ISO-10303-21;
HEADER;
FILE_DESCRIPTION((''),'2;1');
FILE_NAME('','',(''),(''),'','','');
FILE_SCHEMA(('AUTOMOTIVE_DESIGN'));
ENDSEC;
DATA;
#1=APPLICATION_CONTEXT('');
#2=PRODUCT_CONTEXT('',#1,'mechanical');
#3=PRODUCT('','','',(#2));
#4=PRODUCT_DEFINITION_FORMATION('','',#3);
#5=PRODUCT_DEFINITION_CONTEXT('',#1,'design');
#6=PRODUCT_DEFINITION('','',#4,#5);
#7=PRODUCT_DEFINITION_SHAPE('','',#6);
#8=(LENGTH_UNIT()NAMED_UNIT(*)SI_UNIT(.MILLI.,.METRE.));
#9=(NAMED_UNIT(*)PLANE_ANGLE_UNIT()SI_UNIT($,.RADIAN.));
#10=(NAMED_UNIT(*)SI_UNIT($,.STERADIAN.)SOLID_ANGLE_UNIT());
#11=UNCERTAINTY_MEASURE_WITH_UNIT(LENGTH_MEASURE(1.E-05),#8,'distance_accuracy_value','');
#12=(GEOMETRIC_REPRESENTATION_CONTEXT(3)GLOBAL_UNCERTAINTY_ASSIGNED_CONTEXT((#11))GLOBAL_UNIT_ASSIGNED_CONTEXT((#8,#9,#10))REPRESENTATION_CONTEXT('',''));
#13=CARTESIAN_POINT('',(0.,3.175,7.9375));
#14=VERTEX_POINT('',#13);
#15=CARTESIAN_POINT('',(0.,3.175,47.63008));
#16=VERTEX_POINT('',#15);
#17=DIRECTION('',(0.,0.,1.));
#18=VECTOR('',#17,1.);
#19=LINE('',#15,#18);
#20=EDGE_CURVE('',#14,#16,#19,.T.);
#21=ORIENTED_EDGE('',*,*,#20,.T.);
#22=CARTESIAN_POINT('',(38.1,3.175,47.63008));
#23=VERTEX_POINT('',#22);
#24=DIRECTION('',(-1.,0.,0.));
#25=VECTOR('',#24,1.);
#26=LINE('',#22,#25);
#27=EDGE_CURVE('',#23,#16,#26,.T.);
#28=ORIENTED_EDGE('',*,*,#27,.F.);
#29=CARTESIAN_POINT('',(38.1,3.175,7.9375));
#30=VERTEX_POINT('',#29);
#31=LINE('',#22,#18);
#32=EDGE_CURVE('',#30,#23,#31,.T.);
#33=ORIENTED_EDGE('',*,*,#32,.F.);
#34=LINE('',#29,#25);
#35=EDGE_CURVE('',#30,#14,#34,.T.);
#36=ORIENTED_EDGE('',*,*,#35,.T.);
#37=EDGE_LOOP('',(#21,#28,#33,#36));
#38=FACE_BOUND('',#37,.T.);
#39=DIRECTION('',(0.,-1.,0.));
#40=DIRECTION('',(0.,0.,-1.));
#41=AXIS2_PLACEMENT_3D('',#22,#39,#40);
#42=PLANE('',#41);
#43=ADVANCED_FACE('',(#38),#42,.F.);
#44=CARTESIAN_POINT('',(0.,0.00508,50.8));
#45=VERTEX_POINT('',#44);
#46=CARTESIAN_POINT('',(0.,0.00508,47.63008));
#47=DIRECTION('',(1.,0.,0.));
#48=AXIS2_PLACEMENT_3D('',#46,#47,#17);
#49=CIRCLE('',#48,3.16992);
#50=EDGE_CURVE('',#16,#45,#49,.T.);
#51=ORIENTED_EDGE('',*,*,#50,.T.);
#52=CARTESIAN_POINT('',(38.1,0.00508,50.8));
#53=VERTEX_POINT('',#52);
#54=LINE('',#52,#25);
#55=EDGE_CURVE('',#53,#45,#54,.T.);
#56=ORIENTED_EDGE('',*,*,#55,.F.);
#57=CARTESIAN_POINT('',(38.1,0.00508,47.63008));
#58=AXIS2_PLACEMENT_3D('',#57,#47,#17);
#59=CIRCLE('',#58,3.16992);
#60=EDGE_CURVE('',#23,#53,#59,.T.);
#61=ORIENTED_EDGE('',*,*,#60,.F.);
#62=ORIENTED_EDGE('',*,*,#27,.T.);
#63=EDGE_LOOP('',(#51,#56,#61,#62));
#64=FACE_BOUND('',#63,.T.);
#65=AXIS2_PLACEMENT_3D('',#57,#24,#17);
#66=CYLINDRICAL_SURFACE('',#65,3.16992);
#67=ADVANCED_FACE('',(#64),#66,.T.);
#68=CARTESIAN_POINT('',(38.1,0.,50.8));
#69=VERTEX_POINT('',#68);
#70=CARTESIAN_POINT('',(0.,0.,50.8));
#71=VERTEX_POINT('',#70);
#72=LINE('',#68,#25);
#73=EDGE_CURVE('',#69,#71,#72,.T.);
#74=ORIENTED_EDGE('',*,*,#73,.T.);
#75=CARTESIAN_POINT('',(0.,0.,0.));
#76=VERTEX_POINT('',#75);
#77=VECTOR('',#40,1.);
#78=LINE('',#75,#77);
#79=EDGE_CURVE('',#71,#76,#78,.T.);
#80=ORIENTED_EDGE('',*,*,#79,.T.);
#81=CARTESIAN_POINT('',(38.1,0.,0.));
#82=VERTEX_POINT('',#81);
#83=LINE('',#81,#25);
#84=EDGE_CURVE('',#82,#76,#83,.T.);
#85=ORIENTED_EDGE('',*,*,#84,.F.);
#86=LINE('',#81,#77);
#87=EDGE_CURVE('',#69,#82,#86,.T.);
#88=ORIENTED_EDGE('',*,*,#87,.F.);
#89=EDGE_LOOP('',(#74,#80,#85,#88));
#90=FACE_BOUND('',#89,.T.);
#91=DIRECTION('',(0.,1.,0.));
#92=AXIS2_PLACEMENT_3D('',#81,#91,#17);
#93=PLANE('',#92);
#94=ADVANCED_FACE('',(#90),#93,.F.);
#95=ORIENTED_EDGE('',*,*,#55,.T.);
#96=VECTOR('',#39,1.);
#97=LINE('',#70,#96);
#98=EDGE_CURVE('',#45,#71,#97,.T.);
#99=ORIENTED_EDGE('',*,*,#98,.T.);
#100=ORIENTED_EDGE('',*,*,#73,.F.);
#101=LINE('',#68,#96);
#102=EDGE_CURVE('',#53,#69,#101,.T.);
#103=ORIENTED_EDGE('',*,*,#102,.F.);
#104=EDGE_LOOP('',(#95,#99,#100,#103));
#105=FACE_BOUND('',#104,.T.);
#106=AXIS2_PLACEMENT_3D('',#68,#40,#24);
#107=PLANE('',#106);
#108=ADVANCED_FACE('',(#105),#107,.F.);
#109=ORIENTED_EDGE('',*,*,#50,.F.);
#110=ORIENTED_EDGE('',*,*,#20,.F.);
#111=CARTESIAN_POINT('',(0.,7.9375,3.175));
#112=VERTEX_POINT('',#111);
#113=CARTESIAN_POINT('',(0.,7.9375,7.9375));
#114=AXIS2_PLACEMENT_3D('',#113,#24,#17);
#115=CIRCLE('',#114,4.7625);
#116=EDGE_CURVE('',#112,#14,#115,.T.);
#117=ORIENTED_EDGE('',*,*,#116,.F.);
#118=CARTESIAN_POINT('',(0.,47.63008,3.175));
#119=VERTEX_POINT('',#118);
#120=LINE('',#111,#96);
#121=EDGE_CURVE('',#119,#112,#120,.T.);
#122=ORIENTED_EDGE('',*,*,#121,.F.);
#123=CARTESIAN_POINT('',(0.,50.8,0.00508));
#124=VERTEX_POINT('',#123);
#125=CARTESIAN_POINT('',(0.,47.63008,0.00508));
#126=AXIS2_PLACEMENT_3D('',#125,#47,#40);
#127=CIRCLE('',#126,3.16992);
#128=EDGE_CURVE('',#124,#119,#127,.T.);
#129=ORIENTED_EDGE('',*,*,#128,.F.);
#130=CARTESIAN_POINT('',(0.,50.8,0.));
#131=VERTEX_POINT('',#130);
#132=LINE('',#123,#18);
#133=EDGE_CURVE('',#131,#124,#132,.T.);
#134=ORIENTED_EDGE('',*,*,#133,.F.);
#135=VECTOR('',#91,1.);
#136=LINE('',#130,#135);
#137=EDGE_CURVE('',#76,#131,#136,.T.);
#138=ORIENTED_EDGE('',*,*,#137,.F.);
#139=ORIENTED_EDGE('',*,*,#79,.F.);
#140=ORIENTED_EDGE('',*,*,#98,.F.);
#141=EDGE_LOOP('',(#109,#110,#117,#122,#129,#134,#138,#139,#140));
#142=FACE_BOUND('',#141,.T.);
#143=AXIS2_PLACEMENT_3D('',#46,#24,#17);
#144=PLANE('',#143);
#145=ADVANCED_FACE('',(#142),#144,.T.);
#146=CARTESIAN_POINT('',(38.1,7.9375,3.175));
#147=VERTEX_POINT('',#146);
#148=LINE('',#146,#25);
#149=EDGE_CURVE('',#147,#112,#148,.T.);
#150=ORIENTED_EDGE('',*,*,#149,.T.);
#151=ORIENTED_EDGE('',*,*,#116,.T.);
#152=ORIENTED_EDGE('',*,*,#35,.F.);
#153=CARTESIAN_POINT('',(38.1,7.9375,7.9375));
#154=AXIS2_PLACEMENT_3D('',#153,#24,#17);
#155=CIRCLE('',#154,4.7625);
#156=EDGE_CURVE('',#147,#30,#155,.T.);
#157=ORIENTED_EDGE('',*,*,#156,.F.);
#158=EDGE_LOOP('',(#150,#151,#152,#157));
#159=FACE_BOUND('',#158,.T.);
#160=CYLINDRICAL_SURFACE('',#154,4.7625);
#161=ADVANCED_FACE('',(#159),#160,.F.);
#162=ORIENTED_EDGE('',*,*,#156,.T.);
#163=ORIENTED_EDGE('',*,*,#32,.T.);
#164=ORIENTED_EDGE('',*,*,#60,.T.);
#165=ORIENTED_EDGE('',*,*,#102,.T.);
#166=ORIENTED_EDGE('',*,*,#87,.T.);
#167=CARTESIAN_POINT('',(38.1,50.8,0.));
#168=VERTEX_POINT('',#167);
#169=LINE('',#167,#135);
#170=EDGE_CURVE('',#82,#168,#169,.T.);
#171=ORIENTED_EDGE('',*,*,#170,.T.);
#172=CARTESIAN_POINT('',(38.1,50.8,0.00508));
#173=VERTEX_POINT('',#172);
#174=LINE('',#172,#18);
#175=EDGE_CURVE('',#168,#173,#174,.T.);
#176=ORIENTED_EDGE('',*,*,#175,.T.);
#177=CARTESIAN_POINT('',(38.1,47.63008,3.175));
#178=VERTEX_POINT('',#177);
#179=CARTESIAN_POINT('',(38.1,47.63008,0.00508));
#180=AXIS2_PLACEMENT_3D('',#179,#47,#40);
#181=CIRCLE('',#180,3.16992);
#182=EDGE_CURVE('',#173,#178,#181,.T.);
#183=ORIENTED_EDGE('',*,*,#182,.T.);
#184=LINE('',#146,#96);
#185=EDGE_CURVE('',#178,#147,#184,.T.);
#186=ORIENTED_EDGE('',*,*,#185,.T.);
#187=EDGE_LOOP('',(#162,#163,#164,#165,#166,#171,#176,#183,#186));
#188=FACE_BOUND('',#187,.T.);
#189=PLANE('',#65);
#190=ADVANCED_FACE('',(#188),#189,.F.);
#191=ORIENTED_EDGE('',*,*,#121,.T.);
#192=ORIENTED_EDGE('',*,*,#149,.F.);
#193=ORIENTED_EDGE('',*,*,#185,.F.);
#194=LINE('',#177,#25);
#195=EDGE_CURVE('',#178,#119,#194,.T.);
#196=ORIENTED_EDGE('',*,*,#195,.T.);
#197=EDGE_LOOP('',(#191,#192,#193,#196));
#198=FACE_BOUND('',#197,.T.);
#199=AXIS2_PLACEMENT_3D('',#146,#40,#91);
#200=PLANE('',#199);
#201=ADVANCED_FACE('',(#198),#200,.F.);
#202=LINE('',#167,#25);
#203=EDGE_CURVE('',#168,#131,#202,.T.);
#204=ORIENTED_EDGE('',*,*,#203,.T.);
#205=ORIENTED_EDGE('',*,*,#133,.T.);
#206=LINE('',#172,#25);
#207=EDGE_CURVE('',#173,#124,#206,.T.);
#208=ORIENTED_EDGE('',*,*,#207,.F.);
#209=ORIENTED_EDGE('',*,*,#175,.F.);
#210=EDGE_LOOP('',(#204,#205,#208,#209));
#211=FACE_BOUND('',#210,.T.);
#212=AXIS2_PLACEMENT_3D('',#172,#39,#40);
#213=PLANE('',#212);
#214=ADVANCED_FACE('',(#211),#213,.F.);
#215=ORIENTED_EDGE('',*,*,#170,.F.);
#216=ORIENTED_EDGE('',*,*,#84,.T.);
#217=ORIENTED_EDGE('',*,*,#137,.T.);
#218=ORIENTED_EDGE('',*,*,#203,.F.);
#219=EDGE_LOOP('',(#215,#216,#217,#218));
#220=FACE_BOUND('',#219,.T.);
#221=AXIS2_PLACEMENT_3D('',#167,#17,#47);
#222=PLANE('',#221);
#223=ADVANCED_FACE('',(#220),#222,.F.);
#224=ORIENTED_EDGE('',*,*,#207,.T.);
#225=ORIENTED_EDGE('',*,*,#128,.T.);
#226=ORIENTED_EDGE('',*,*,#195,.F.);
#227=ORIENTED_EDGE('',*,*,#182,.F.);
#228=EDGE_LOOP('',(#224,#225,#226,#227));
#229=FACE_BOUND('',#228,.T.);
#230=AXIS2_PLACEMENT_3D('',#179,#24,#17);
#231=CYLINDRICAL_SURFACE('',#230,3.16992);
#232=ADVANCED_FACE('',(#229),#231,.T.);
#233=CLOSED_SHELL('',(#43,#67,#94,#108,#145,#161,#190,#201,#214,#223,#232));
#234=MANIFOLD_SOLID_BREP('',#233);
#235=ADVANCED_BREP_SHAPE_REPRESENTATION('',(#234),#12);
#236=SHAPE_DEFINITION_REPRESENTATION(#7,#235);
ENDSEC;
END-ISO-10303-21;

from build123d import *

# Parameters (mm, degrees)
HIERRO_ANGULAR_2_X_2_X_0_125_1_DEPTH = 38.1


with BuildPart() as part:
    # Sketch12 → Hierro angular 2 X 2 X 0.125(1) (new body)
    with BuildSketch(Plane.YZ):
        with BuildLine():
            Line((0, 0), (0, 50.8))
            Line((0, 50.8), (0.00508, 50.8))
            ThreePointArc((0.00508, 50.8), (2.246551928, 49.871551928), (3.175, 47.63008))
            Line((3.175, 47.63008), (3.175, 7.9375))
            ThreePointArc((3.175, 7.9375), (4.569903955, 4.569903955), (7.9375, 3.175))
            Line((7.9375, 3.175), (47.63008, 3.175))
            ThreePointArc((47.63008, 3.175), (49.871551928, 2.246551928), (50.8, 0.00508))
            Line((50.8, 0.00508), (50.8, 0))
            Line((50.8, 0), (0, 0))
        make_face()
    extrude(amount=HIERRO_ANGULAR_2_X_2_X_0_125_1_DEPTH)


solid = part.part
